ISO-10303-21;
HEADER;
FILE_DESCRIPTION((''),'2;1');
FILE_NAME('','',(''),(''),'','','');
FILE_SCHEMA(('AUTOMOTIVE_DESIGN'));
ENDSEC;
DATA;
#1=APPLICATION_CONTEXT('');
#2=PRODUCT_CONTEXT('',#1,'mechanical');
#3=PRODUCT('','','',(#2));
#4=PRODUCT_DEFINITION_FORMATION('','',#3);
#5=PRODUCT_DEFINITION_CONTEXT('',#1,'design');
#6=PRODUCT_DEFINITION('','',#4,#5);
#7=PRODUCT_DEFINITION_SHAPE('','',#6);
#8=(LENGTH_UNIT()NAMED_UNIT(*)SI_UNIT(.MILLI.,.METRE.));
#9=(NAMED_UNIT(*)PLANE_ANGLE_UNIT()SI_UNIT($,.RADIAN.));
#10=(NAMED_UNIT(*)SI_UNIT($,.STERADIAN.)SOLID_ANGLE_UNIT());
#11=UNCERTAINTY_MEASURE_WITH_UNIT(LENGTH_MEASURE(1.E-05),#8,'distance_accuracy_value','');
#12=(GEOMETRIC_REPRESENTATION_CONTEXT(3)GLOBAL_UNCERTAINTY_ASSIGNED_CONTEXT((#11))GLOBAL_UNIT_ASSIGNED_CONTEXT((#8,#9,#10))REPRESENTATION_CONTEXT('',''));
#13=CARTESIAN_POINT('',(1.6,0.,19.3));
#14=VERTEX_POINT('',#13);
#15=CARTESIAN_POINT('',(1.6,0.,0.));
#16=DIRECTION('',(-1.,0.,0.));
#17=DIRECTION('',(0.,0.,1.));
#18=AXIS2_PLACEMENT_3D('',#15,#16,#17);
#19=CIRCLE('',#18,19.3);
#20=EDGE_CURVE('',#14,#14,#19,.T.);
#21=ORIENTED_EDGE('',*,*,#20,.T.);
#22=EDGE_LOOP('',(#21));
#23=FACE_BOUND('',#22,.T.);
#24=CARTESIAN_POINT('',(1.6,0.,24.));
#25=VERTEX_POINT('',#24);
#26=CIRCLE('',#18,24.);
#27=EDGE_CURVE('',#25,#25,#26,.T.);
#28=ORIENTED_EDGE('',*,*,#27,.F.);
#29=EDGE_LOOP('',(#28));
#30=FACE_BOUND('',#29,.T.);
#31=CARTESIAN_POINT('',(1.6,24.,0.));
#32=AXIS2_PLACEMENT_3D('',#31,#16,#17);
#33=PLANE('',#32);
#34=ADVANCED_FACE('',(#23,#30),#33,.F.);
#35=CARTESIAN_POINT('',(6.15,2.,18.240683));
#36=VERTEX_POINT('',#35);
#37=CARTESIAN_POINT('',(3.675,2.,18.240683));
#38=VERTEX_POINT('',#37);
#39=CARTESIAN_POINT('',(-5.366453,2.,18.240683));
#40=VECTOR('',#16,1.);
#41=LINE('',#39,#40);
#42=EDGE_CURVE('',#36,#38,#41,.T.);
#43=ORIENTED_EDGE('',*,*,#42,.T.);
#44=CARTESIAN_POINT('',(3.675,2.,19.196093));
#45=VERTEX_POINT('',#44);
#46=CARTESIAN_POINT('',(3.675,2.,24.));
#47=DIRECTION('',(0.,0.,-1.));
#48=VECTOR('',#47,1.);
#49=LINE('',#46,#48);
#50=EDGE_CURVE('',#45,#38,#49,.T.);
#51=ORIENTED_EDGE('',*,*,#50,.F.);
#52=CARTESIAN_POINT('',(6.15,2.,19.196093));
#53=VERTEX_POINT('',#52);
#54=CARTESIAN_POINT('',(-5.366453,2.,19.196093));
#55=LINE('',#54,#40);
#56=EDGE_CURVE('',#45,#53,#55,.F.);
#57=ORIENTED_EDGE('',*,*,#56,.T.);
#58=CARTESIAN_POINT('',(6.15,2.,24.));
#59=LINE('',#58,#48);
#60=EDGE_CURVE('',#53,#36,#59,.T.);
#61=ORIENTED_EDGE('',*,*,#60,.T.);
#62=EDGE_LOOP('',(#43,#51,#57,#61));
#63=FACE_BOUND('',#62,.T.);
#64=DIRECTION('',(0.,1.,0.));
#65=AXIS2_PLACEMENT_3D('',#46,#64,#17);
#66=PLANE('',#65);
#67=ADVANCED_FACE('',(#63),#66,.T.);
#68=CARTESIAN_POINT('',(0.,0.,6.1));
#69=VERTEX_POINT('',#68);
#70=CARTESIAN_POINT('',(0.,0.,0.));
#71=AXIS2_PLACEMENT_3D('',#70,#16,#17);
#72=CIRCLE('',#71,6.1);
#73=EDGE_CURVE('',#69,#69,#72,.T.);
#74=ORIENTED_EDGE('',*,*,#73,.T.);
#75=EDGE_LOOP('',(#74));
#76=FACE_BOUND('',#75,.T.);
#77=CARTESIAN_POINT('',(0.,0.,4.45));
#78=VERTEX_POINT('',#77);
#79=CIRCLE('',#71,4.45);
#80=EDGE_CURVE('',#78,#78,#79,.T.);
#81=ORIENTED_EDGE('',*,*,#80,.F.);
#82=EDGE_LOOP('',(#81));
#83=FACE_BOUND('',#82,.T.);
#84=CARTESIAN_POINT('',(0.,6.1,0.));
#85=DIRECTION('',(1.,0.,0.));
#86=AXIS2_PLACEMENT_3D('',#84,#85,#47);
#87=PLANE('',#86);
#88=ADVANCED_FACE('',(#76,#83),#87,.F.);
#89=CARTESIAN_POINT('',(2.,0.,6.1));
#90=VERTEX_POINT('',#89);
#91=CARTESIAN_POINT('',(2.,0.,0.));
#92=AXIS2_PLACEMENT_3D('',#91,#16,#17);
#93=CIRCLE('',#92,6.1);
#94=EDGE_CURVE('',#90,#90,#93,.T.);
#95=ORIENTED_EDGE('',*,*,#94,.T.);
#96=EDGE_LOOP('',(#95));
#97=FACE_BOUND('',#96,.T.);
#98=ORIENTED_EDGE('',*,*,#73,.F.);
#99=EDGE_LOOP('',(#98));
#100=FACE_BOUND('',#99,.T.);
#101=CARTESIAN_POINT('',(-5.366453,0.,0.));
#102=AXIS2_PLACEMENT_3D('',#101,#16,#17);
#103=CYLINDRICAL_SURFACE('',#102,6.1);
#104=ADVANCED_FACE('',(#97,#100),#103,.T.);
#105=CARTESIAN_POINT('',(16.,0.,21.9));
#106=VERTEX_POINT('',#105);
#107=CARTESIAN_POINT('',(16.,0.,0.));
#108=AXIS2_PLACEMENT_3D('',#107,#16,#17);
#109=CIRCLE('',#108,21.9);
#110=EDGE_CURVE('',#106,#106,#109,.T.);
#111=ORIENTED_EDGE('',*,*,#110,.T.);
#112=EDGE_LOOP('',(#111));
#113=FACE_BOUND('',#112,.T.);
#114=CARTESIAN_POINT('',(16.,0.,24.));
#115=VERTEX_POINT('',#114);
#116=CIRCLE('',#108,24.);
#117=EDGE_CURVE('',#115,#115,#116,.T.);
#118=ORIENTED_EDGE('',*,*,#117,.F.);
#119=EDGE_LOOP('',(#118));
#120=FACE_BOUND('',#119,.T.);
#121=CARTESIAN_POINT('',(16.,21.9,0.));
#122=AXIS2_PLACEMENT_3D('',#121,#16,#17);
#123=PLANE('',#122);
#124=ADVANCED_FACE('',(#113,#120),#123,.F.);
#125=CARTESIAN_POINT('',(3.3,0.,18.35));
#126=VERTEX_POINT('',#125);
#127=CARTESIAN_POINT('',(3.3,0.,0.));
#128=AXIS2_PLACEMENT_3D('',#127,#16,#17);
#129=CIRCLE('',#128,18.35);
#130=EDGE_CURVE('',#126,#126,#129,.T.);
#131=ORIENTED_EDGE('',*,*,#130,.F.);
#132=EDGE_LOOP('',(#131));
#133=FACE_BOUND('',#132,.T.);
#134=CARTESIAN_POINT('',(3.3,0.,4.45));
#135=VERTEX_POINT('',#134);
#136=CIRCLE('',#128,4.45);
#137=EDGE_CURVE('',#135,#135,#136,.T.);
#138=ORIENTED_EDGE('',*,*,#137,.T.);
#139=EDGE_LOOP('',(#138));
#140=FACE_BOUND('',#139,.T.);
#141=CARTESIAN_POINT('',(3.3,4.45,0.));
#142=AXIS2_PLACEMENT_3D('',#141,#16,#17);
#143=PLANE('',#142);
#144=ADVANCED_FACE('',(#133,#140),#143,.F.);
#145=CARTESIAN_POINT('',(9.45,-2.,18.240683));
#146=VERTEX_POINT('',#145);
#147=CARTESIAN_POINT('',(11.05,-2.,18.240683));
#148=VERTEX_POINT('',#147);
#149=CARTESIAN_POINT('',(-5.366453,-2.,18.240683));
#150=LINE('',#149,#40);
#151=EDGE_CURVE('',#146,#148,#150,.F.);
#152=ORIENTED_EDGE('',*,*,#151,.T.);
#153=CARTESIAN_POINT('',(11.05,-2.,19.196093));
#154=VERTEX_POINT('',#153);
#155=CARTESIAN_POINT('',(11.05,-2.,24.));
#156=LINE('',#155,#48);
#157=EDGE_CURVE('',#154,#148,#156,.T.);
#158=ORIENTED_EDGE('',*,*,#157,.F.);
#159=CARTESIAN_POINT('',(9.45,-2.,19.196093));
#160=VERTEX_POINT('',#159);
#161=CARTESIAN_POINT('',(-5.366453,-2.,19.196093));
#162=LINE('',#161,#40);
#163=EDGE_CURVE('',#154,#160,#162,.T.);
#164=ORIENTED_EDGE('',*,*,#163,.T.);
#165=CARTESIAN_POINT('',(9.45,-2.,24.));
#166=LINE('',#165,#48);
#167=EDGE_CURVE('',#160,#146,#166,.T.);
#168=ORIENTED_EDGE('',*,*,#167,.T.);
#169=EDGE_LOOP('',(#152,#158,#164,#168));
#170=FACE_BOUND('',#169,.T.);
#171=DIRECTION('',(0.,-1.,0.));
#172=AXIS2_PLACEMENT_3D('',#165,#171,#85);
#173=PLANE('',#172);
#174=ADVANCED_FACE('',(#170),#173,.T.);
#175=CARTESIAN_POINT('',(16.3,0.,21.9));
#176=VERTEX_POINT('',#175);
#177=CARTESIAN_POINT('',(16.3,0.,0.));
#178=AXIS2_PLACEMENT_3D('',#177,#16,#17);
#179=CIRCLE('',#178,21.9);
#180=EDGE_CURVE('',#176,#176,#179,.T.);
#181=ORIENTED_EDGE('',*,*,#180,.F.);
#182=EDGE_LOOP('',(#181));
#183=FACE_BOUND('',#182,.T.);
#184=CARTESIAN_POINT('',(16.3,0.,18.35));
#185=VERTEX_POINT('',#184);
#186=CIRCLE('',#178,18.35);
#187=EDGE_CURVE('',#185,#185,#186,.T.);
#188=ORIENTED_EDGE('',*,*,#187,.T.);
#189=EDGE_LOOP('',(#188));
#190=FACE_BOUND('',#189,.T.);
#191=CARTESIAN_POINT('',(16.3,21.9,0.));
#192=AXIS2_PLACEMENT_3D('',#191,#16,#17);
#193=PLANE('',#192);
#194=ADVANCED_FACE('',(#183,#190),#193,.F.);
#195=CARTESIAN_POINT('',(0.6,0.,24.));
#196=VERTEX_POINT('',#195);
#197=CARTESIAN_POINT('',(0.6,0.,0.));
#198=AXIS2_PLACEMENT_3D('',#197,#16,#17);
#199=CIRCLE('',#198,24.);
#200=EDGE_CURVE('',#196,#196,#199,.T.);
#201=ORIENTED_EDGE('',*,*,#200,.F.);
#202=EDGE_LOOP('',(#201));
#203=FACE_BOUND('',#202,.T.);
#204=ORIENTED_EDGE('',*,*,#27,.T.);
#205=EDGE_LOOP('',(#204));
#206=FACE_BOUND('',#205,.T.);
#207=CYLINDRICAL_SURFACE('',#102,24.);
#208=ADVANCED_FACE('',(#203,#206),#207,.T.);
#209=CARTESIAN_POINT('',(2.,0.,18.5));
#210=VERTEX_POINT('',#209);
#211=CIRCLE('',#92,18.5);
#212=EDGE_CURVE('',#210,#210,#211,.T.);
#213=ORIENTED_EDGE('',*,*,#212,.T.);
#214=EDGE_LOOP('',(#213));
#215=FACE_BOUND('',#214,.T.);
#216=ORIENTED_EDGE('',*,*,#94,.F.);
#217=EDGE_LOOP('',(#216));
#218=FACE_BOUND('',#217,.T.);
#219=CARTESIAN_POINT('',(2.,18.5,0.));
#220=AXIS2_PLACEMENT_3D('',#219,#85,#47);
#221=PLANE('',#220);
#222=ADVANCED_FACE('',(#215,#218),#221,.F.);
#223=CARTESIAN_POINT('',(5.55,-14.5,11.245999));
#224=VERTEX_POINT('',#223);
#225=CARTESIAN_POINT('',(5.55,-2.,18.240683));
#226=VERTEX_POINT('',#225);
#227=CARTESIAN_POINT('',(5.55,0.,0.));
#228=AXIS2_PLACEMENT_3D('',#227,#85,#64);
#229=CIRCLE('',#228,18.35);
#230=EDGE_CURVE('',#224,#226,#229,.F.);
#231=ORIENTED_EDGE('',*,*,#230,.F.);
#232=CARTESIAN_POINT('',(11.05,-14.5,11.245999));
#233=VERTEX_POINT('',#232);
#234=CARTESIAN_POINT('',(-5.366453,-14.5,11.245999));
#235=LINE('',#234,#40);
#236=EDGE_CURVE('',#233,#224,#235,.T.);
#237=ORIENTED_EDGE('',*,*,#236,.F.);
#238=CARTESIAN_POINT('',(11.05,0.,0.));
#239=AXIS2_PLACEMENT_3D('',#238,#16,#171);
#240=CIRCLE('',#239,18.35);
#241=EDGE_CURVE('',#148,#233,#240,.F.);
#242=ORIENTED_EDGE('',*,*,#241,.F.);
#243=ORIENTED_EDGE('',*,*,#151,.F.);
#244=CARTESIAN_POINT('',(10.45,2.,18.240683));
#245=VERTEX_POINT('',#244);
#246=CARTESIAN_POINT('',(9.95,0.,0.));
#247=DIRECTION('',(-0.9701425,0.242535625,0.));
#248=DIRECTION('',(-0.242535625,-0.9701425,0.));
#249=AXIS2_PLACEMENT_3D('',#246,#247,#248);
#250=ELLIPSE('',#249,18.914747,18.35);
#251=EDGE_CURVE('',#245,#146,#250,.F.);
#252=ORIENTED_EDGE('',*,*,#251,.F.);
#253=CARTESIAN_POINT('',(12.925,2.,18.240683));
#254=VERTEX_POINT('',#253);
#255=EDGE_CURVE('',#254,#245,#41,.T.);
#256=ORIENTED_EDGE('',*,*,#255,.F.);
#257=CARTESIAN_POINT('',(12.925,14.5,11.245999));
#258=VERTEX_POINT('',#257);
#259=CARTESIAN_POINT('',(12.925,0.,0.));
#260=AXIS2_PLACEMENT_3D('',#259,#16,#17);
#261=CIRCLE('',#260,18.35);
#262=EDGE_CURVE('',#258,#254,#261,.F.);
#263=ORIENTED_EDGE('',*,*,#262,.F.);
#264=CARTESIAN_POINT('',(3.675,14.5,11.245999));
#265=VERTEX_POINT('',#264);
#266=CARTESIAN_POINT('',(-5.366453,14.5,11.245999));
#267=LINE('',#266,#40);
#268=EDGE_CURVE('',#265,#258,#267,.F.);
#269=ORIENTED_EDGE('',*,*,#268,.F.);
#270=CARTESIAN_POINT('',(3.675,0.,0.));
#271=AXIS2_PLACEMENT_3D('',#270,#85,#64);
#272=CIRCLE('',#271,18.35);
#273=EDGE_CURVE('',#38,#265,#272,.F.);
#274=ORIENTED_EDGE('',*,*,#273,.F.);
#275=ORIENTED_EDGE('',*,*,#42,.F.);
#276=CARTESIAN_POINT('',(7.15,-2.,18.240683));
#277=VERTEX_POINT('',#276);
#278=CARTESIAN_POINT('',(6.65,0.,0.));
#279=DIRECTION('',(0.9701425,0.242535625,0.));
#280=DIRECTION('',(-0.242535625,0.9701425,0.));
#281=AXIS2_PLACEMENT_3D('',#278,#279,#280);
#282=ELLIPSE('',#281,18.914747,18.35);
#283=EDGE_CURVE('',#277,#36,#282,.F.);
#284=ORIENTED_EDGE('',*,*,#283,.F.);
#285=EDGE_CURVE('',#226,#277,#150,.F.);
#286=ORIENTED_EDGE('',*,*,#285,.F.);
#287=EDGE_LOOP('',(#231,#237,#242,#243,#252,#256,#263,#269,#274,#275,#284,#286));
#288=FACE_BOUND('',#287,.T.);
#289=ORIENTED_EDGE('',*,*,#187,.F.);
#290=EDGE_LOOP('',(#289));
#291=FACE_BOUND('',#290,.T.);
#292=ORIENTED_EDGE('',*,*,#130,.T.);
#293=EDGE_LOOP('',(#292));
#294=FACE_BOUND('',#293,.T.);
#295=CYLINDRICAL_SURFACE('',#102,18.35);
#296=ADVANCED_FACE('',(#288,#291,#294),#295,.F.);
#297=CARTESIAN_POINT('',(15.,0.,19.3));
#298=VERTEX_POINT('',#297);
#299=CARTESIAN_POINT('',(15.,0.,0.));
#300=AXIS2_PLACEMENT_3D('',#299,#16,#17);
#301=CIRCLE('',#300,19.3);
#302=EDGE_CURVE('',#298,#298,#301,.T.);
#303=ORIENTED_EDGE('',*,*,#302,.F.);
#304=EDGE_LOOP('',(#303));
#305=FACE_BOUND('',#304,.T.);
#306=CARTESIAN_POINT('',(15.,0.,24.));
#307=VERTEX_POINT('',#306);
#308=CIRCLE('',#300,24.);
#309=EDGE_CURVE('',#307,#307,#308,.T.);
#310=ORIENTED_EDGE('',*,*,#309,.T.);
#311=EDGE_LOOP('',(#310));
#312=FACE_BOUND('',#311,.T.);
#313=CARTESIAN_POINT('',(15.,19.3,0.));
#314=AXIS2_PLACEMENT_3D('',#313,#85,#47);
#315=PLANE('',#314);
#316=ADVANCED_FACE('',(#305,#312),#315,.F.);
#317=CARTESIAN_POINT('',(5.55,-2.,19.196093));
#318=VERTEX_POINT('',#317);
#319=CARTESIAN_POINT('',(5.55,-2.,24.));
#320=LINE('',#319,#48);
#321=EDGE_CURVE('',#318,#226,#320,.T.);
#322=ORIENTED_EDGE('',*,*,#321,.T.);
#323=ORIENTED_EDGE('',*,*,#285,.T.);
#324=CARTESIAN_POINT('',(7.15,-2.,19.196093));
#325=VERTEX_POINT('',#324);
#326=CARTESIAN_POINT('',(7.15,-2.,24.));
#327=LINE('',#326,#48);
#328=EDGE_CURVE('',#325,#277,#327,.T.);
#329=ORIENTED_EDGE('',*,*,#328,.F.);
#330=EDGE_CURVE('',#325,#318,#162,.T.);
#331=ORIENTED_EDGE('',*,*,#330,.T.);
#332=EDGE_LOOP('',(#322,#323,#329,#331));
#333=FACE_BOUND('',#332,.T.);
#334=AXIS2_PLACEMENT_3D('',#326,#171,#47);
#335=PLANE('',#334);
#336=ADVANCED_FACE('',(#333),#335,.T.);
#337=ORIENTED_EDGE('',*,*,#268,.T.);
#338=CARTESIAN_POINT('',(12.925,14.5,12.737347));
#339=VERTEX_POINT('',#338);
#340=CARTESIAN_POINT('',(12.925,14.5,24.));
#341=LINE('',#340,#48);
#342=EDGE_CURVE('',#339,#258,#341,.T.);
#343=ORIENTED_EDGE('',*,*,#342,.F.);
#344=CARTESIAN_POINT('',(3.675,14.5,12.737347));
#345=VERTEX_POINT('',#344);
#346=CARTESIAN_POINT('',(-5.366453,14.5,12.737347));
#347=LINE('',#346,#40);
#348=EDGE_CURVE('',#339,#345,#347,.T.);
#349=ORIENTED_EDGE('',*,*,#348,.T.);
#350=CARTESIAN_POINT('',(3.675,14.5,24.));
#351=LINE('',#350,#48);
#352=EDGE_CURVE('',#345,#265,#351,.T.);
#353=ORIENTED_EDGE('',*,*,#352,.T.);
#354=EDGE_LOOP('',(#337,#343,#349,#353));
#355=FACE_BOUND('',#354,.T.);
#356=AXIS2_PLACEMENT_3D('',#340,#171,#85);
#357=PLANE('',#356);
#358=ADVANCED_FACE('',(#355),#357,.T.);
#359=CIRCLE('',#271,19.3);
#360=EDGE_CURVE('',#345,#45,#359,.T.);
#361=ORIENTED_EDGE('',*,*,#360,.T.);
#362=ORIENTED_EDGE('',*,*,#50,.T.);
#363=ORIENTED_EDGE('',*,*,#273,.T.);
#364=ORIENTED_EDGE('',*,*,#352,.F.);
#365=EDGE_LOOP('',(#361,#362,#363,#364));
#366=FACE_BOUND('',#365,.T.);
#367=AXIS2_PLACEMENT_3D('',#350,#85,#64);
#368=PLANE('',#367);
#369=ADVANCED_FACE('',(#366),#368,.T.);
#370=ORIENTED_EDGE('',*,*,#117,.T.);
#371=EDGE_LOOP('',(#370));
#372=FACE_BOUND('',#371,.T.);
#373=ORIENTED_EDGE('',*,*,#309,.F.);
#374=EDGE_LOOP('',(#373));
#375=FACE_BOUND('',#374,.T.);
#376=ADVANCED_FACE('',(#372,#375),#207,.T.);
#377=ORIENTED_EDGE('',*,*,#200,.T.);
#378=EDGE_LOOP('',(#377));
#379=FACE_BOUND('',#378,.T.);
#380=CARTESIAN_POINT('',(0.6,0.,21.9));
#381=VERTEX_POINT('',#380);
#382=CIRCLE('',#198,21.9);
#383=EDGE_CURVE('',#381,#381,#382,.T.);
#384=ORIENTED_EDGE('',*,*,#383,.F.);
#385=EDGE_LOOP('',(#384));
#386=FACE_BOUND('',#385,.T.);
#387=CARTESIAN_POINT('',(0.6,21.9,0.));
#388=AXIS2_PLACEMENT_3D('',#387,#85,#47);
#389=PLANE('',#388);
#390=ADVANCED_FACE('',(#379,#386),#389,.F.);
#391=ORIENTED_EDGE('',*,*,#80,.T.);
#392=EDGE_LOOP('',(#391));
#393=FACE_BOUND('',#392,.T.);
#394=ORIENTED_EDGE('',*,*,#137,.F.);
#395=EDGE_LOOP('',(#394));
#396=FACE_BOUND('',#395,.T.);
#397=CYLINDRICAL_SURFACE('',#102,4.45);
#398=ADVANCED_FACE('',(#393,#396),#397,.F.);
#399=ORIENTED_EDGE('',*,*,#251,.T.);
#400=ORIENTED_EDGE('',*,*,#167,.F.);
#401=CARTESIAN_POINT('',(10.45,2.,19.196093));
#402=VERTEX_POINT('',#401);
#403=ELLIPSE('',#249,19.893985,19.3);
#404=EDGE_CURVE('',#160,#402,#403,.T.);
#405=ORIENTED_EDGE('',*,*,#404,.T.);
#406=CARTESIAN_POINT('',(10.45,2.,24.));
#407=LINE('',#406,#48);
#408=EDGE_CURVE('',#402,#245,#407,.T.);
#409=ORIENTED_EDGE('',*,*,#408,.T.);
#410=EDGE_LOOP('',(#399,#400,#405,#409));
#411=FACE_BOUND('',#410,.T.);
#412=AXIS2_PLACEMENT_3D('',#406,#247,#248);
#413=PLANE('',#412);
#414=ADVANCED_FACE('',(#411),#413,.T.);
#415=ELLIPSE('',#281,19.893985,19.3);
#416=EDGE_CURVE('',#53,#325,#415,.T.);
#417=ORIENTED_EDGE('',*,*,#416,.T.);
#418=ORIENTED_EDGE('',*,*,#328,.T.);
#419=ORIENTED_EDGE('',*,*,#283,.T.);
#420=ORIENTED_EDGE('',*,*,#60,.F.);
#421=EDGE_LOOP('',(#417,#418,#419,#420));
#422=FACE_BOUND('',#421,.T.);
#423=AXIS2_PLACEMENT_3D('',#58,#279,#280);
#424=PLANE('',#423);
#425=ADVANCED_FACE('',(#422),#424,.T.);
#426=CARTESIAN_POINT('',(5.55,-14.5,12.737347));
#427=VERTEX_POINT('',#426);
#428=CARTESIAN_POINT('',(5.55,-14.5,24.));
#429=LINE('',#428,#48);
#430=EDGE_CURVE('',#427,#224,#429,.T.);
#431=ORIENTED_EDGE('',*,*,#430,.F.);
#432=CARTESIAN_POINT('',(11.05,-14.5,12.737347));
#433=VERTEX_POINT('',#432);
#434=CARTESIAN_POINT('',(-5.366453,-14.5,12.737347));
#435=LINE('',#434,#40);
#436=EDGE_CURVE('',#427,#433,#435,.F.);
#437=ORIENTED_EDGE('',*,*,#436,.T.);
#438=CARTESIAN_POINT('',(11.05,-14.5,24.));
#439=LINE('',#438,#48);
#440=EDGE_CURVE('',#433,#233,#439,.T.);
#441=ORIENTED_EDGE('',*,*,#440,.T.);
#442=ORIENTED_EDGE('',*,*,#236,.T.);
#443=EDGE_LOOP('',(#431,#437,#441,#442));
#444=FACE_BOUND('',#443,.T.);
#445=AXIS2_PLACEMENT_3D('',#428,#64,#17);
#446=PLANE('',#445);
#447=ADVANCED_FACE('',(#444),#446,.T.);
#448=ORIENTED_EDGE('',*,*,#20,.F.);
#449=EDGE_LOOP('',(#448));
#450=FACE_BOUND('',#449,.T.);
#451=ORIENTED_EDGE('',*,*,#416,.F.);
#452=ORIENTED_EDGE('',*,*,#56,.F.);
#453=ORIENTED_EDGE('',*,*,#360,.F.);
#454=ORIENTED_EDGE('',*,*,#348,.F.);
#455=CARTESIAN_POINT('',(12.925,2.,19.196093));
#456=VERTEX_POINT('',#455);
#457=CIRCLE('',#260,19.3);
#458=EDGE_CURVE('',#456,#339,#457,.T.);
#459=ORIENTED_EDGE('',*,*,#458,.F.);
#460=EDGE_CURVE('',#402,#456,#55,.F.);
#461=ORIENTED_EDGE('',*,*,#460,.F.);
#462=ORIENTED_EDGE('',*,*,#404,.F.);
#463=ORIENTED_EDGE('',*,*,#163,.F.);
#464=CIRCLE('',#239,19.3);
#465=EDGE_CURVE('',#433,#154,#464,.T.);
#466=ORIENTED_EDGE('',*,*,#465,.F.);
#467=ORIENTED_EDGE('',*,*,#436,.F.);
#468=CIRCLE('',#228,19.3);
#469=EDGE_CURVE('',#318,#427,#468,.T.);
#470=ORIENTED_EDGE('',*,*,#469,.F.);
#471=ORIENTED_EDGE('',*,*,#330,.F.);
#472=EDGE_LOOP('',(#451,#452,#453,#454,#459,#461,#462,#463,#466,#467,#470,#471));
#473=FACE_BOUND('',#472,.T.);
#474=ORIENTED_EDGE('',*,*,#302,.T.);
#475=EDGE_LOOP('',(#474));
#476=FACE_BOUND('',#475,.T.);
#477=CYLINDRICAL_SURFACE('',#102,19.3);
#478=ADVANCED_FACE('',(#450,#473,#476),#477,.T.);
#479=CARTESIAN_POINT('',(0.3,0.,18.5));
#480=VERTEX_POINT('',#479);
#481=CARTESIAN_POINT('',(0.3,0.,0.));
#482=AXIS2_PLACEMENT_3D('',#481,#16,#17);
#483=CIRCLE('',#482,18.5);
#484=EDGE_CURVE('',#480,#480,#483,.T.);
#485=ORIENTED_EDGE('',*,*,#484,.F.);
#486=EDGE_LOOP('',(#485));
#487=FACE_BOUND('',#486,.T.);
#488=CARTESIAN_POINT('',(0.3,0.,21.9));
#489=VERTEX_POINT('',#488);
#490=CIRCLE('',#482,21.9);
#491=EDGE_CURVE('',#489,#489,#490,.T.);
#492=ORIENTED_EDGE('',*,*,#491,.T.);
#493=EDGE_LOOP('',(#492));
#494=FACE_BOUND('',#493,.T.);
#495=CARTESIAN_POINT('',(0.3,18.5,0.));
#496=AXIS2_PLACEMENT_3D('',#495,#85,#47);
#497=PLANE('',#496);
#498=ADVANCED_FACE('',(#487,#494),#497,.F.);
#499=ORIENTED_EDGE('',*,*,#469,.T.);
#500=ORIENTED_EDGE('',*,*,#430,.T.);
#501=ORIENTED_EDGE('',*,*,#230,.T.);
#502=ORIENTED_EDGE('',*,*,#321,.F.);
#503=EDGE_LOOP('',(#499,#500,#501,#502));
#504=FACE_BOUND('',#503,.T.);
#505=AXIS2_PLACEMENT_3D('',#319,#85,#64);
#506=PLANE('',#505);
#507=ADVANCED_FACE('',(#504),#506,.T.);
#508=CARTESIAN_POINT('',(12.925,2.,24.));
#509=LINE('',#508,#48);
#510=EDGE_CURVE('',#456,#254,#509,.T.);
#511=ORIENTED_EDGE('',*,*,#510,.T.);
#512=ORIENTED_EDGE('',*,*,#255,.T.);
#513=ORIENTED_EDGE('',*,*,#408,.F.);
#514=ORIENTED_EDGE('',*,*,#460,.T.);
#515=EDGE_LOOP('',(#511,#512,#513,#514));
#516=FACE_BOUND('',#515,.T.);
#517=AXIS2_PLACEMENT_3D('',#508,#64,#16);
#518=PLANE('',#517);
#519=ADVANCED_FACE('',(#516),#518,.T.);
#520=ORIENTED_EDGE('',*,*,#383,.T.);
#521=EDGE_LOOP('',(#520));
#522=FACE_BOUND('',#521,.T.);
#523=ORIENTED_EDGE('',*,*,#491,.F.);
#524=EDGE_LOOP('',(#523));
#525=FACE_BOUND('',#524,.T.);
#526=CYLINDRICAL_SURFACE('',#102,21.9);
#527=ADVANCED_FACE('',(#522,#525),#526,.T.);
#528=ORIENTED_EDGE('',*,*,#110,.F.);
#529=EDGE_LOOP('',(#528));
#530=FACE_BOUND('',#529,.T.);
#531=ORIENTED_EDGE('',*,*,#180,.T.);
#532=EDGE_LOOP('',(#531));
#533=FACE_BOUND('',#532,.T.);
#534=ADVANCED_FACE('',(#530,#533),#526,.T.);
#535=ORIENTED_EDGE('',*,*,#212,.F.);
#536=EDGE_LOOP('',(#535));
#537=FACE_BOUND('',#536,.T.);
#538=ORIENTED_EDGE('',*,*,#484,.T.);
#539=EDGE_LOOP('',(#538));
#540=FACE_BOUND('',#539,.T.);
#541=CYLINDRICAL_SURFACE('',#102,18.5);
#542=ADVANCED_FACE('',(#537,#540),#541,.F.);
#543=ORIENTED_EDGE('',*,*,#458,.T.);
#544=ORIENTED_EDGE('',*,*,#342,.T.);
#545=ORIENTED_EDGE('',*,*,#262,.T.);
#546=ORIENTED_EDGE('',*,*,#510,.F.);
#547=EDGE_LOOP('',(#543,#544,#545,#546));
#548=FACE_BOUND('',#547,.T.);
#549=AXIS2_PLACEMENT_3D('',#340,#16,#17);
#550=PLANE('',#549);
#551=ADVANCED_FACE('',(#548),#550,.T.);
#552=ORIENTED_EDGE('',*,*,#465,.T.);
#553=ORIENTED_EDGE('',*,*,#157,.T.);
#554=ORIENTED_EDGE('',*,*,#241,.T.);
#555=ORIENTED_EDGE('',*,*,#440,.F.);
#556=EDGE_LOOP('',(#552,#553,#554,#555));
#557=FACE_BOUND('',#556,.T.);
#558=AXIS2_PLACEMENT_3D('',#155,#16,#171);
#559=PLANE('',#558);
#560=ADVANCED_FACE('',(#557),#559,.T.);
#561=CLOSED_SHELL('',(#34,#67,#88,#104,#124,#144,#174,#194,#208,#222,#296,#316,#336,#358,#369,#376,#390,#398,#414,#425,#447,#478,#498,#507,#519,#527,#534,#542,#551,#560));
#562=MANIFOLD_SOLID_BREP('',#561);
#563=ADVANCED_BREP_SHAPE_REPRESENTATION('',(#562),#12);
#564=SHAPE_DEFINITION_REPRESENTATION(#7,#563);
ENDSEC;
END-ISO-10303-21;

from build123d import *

# Parameters (mm, degrees)
KES_EKSTR_ZYON1_DEPTH = 38.65222437


with BuildPart() as part:
    # Çizim1 → Döndür1 (revolve)
    with BuildSketch(Plane.XY, mode=Mode.PRIVATE) as d_nd_r1_sk:
        Polygon((0.3, 18.5), (0.3, 21.9), (0.6, 21.9), (0.6, 24), (1.6, 24), (1.6, 19.3), (15, 19.3), (15, 24), (16, 24), (16, 21.9), (16.3, 21.9), (16.3, 18.35), (3.3, 18.35), (3.3, 4.45), (0, 4.45), (0, 6.1), (2, 6.1), (2, 18.5), align=None)
    revolve(d_nd_r1_sk.sketch.rotate(Axis((-5.366453406, 0, 0), (1, 0, 0)), 90), axis=Axis((-5.366453406, 0, 0), (1, 0, 0)))

    # Çizim2 → Kes-Ekstrüzyon1 (cut, through all)
    with BuildSketch(Plane.XY):
        Polygon((12.925, 14.5), (3.675, 14.5), (3.675, 2), (6.15, 2), (7.15, -2), (5.55, -2), (5.55, -14.5), (11.05, -14.5), (11.05, -2), (9.45, -2), (10.45, 2), (12.925, 2), align=None)
    extrude(amount=KES_EKSTR_ZYON1_DEPTH, mode=Mode.SUBTRACT)


solid = part.part
